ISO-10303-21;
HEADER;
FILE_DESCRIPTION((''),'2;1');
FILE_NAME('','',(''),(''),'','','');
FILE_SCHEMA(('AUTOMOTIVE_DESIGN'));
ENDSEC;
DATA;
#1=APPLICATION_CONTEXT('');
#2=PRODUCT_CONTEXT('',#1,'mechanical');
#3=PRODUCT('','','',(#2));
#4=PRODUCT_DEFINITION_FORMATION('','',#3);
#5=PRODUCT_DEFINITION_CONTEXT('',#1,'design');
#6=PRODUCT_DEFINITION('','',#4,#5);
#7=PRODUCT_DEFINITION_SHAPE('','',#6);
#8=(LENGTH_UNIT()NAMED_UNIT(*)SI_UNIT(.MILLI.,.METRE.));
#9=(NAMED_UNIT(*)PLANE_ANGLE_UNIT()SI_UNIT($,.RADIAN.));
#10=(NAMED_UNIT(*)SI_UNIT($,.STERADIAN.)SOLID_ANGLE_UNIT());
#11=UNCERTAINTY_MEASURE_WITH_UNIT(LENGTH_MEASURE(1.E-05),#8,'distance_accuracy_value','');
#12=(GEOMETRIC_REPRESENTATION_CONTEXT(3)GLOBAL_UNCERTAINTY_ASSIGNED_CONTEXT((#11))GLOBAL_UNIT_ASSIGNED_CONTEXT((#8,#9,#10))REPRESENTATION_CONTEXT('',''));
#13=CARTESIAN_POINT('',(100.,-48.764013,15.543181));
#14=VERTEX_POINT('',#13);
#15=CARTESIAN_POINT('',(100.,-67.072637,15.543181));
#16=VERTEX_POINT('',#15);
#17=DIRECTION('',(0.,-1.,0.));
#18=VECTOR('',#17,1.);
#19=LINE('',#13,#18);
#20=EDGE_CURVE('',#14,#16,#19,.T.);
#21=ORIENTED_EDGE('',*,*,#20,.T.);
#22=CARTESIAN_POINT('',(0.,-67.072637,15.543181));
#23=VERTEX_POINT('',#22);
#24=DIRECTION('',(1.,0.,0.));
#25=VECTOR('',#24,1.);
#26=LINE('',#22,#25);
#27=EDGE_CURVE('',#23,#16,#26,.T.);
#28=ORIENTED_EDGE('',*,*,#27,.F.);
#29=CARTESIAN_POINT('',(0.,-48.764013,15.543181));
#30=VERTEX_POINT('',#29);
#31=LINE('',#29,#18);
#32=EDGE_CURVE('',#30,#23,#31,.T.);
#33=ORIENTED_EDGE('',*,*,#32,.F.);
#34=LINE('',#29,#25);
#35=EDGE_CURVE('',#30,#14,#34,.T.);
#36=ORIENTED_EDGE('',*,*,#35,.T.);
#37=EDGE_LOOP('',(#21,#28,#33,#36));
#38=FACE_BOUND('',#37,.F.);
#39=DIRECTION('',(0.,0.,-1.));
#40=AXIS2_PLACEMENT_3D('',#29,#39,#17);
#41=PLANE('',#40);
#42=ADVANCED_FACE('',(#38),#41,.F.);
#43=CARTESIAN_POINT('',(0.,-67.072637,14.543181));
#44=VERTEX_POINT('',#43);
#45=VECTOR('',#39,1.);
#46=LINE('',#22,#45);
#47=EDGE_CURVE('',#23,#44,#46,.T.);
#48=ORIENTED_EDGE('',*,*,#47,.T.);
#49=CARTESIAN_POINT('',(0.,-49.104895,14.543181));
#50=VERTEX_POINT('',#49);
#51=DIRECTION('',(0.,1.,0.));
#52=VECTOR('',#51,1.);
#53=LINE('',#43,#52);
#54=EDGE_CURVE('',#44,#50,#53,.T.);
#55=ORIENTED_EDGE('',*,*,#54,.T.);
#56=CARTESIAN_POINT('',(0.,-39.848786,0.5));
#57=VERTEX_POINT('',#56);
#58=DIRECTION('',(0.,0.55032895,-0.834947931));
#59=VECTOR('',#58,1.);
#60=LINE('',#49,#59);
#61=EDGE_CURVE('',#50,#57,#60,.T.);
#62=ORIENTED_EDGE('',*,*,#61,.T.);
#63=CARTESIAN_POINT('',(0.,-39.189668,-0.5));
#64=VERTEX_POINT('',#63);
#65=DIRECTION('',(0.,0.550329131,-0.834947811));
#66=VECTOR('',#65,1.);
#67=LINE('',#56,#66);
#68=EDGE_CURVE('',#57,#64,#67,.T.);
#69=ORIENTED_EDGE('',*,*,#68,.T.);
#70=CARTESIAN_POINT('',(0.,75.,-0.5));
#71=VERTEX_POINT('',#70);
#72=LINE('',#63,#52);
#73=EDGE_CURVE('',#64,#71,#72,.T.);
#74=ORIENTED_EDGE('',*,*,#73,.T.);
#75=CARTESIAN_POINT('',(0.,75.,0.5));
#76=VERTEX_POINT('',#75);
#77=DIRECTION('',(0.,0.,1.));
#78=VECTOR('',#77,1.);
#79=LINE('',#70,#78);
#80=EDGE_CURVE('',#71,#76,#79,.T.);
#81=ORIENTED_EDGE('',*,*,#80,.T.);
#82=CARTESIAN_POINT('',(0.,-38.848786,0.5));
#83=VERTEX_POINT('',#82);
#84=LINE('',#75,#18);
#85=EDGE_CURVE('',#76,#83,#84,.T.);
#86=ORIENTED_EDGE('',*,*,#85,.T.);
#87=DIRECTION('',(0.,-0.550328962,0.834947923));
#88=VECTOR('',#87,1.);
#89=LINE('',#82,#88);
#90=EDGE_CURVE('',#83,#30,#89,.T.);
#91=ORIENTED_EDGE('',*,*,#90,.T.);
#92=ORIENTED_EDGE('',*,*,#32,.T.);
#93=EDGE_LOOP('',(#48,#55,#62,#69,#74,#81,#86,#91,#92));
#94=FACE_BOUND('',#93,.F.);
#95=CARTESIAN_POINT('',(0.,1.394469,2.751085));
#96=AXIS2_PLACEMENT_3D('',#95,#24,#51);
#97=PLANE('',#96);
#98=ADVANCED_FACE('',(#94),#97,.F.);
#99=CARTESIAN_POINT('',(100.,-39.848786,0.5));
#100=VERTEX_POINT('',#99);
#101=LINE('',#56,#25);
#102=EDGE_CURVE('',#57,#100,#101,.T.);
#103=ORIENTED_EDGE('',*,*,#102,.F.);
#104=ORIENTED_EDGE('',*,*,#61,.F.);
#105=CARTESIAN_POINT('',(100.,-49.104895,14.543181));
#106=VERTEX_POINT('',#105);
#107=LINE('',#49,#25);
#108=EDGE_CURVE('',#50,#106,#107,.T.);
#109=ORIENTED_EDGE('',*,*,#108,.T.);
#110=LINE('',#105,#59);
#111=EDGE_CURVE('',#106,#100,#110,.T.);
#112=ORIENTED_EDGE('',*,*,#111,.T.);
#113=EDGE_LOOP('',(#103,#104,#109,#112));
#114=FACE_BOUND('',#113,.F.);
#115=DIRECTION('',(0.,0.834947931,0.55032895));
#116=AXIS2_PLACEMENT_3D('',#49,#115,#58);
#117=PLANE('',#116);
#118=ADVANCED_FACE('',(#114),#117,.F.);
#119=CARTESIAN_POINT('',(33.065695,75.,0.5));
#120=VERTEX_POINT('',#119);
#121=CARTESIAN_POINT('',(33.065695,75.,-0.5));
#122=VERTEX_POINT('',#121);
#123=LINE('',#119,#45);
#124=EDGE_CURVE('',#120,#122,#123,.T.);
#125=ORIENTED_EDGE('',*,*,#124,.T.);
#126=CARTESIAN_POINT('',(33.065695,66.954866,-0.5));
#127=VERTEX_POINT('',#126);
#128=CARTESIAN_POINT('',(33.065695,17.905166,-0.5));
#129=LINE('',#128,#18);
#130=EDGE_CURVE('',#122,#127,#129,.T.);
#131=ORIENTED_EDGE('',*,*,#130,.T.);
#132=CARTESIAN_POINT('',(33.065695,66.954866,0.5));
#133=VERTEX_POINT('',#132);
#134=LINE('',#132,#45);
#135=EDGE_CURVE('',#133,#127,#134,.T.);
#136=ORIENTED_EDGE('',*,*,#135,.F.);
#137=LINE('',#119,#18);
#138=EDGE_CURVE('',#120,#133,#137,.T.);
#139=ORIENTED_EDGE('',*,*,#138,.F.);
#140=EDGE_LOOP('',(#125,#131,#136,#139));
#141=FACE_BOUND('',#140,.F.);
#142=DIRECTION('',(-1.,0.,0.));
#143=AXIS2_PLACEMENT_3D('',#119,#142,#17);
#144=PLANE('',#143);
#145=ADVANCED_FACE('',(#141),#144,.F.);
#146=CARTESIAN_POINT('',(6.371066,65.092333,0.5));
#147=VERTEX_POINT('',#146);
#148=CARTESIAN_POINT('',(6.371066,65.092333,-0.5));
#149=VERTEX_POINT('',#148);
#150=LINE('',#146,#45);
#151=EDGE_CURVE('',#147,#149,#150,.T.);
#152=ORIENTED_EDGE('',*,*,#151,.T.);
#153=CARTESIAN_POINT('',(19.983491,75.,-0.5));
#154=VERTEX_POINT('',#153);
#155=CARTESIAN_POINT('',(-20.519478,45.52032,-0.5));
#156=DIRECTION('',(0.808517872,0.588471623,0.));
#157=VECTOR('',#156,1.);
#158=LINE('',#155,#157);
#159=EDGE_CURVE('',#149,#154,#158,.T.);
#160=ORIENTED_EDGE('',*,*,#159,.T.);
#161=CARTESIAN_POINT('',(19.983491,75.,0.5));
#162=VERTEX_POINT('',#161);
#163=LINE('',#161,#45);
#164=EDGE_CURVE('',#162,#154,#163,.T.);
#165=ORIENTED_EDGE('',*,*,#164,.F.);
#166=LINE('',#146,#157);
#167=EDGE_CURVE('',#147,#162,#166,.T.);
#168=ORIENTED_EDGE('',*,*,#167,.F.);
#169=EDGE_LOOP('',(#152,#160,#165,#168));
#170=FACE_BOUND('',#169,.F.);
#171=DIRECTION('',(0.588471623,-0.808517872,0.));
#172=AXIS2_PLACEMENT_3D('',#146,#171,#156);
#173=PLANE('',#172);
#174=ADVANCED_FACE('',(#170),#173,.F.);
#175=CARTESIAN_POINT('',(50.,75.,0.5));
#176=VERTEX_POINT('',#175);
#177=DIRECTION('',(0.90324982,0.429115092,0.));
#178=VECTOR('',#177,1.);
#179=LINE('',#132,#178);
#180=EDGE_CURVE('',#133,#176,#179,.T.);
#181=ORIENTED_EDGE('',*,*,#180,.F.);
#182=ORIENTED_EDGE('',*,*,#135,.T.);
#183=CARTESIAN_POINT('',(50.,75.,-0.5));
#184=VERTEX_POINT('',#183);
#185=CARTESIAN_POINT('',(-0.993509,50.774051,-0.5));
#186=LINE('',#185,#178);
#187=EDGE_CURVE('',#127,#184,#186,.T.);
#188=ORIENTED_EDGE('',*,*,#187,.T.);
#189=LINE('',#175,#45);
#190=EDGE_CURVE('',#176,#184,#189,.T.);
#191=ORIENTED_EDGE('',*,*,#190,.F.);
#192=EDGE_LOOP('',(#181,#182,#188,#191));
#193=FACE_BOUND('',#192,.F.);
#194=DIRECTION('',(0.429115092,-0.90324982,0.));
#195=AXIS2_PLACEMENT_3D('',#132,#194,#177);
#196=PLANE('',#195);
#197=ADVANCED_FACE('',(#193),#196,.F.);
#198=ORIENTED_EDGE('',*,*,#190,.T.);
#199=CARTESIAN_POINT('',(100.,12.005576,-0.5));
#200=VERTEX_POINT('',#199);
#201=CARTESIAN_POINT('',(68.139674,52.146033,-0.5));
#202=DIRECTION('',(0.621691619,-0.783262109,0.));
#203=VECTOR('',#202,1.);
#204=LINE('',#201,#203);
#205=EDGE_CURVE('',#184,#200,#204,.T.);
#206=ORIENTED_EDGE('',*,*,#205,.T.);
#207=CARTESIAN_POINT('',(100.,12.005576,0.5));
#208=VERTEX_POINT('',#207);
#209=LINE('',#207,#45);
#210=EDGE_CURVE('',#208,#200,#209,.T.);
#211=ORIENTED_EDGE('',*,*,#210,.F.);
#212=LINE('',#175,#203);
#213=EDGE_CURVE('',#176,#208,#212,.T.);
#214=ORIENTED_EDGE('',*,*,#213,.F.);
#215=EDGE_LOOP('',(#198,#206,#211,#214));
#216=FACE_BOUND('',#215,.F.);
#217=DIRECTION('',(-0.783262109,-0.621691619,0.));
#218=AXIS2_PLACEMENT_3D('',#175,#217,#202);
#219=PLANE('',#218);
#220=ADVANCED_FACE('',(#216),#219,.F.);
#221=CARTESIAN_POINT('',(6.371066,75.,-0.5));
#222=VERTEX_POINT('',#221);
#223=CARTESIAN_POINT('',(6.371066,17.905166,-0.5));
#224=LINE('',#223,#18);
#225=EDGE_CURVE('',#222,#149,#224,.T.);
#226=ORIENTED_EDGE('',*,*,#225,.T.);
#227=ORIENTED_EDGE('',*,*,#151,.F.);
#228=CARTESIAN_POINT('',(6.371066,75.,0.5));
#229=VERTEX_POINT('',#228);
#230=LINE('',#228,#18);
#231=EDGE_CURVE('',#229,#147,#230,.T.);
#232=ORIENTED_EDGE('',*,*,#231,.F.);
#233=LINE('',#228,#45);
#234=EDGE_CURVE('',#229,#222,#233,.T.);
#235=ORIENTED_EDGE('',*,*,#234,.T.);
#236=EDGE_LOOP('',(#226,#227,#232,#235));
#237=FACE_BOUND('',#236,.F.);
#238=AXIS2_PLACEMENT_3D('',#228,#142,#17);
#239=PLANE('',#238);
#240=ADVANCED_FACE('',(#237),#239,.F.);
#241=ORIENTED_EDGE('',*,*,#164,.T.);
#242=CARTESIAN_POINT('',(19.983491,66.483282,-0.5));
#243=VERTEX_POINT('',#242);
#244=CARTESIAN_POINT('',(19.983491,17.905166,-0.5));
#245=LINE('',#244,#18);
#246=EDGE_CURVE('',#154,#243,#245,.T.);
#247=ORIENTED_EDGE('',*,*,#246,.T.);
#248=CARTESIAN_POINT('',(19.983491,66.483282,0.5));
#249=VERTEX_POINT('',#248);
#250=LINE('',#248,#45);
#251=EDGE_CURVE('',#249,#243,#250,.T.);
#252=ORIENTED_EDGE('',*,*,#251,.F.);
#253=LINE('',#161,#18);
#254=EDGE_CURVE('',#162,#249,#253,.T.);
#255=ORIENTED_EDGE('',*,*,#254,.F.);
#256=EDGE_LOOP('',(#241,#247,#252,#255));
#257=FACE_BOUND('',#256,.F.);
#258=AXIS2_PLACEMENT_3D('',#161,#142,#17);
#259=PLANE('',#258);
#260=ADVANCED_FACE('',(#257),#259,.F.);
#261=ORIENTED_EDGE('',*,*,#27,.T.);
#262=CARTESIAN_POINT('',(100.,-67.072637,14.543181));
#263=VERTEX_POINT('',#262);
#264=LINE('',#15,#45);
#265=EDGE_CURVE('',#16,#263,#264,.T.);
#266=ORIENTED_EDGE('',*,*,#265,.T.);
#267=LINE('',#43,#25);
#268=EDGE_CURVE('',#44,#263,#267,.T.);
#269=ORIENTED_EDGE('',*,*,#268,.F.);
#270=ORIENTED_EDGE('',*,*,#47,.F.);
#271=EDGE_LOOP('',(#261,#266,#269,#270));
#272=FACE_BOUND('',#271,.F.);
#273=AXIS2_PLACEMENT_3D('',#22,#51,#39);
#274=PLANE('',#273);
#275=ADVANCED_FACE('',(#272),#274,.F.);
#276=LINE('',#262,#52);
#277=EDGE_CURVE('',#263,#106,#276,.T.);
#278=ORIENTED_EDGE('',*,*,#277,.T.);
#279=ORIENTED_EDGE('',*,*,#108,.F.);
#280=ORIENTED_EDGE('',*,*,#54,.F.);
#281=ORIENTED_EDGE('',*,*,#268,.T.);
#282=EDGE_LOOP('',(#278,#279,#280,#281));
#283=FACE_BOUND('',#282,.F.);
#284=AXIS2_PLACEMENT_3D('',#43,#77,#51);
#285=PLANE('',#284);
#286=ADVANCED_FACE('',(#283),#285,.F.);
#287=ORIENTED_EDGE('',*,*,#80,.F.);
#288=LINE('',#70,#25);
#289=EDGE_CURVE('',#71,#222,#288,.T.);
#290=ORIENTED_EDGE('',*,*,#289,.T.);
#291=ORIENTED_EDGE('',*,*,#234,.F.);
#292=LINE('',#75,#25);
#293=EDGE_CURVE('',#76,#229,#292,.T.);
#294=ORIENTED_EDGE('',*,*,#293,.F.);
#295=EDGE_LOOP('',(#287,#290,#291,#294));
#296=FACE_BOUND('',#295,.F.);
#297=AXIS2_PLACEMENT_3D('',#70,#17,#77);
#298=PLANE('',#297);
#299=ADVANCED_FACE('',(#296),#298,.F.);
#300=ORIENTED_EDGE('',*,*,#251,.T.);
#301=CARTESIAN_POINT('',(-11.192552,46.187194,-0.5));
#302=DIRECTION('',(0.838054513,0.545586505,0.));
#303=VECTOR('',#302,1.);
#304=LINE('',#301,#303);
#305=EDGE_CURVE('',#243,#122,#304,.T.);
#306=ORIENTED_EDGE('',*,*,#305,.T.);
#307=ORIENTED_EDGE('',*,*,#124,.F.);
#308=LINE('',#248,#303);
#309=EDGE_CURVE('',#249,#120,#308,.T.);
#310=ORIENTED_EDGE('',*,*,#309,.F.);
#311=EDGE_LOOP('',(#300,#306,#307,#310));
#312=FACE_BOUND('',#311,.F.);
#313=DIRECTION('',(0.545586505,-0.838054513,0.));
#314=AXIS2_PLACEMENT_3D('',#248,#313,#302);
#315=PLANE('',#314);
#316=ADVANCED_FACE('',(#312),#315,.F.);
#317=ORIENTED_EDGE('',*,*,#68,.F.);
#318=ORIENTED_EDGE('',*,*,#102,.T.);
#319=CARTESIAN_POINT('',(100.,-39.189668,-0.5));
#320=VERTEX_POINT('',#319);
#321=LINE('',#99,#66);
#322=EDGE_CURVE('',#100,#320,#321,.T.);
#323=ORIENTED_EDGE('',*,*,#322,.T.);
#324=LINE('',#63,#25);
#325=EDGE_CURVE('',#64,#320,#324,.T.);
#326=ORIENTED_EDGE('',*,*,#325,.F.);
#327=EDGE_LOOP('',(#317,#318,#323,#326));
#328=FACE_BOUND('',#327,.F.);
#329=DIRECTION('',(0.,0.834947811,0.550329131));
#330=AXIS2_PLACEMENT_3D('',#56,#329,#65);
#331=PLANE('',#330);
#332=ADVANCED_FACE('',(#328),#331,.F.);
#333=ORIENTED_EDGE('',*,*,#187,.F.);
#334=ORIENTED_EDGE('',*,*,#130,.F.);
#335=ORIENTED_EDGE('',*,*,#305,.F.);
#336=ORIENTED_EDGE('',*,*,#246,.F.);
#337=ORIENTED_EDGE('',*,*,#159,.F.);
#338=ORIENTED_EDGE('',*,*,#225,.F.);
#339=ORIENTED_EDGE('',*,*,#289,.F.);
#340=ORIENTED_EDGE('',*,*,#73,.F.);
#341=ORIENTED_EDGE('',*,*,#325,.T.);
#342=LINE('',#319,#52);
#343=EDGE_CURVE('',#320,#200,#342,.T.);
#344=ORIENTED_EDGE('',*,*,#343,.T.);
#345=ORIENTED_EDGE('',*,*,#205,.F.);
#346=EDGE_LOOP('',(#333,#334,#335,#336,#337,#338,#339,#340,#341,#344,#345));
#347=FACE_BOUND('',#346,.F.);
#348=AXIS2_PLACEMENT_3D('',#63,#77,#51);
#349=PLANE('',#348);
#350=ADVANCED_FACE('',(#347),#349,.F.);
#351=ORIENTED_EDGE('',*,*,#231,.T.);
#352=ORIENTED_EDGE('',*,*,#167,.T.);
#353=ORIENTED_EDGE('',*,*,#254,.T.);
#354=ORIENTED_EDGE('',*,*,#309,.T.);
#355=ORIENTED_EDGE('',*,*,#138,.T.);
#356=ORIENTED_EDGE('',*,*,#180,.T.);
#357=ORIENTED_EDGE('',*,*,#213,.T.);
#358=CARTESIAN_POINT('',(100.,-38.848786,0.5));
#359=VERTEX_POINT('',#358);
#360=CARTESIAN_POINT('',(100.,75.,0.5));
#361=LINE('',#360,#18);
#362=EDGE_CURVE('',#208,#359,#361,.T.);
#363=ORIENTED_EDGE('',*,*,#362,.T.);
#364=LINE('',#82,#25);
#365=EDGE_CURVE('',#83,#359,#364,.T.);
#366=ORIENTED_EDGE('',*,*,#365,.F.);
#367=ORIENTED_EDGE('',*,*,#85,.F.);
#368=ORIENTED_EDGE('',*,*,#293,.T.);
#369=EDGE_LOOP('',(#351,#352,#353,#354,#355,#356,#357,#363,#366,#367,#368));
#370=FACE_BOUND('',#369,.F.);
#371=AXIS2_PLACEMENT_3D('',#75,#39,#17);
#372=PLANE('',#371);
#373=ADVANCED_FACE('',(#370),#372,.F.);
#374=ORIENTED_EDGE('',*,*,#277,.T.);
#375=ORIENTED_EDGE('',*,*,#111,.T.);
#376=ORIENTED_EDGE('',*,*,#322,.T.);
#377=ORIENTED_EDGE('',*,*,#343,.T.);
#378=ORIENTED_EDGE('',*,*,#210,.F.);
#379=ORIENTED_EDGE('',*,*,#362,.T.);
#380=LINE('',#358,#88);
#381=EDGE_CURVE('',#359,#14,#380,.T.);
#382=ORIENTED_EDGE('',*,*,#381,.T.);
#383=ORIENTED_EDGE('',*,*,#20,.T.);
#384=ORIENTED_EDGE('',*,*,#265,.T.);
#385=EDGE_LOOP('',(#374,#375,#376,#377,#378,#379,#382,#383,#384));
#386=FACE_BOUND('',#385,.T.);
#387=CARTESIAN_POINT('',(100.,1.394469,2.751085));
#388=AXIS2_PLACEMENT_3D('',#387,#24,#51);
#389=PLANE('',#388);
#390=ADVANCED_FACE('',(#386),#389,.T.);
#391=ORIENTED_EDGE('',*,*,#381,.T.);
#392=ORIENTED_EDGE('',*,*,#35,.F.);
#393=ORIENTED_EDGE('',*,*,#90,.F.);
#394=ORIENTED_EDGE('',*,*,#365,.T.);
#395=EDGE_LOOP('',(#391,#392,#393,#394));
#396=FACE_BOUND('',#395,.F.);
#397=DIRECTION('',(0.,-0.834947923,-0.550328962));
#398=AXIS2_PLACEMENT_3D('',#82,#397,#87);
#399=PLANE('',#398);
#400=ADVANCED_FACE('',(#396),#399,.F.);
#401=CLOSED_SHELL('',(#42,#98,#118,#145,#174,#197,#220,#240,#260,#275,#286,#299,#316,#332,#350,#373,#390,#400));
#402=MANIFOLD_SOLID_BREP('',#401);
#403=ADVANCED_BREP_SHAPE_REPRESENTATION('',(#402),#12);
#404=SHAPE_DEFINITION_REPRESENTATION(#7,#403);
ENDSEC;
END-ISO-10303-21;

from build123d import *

# Parameters (mm, degrees)
F1_DEPTH = 100
F3_DEPTH = 25


with BuildPart() as f1:
    # F0 (on Right) → F1 (new body)
    with BuildSketch(Plane.YZ):
        Polygon((75, 0.5), (-38.848786, 0.5), (-48.764013, 15.543181), (-67.072637, 15.543181), (-67.072637, 14.543181), (-49.104895, 14.543181), (-39.848786, 0.5), (-39.189668, -0.5), (75, -0.5), align=None)
    extrude(amount=F1_DEPTH)

    # F2 (on face) → F3 (cut)
    with BuildSketch(Plane.XY.offset(0.5)):
        Polygon((33.065695, 66.954866), (50, 75), (33.065695, 75), align=None)
        Polygon((19.983491, 66.483282), (33.065695, 75), (19.983491, 75), align=None)
        Polygon((6.371066, 65.092333), (19.983491, 75), (6.371066, 75), align=None)
        Polygon((50, 75), (100, 12.005576), (100, 75), align=None)
        Polygon((100, 75), (100, 12.005576), (155.00921, 119.249597), (16.864885, 99.318206), (6.371066, 75), (19.983491, 75), (33.065695, 75), (50, 75), align=None)
    extrude(amount=-F3_DEPTH, mode=Mode.SUBTRACT)


solid = f1.part
